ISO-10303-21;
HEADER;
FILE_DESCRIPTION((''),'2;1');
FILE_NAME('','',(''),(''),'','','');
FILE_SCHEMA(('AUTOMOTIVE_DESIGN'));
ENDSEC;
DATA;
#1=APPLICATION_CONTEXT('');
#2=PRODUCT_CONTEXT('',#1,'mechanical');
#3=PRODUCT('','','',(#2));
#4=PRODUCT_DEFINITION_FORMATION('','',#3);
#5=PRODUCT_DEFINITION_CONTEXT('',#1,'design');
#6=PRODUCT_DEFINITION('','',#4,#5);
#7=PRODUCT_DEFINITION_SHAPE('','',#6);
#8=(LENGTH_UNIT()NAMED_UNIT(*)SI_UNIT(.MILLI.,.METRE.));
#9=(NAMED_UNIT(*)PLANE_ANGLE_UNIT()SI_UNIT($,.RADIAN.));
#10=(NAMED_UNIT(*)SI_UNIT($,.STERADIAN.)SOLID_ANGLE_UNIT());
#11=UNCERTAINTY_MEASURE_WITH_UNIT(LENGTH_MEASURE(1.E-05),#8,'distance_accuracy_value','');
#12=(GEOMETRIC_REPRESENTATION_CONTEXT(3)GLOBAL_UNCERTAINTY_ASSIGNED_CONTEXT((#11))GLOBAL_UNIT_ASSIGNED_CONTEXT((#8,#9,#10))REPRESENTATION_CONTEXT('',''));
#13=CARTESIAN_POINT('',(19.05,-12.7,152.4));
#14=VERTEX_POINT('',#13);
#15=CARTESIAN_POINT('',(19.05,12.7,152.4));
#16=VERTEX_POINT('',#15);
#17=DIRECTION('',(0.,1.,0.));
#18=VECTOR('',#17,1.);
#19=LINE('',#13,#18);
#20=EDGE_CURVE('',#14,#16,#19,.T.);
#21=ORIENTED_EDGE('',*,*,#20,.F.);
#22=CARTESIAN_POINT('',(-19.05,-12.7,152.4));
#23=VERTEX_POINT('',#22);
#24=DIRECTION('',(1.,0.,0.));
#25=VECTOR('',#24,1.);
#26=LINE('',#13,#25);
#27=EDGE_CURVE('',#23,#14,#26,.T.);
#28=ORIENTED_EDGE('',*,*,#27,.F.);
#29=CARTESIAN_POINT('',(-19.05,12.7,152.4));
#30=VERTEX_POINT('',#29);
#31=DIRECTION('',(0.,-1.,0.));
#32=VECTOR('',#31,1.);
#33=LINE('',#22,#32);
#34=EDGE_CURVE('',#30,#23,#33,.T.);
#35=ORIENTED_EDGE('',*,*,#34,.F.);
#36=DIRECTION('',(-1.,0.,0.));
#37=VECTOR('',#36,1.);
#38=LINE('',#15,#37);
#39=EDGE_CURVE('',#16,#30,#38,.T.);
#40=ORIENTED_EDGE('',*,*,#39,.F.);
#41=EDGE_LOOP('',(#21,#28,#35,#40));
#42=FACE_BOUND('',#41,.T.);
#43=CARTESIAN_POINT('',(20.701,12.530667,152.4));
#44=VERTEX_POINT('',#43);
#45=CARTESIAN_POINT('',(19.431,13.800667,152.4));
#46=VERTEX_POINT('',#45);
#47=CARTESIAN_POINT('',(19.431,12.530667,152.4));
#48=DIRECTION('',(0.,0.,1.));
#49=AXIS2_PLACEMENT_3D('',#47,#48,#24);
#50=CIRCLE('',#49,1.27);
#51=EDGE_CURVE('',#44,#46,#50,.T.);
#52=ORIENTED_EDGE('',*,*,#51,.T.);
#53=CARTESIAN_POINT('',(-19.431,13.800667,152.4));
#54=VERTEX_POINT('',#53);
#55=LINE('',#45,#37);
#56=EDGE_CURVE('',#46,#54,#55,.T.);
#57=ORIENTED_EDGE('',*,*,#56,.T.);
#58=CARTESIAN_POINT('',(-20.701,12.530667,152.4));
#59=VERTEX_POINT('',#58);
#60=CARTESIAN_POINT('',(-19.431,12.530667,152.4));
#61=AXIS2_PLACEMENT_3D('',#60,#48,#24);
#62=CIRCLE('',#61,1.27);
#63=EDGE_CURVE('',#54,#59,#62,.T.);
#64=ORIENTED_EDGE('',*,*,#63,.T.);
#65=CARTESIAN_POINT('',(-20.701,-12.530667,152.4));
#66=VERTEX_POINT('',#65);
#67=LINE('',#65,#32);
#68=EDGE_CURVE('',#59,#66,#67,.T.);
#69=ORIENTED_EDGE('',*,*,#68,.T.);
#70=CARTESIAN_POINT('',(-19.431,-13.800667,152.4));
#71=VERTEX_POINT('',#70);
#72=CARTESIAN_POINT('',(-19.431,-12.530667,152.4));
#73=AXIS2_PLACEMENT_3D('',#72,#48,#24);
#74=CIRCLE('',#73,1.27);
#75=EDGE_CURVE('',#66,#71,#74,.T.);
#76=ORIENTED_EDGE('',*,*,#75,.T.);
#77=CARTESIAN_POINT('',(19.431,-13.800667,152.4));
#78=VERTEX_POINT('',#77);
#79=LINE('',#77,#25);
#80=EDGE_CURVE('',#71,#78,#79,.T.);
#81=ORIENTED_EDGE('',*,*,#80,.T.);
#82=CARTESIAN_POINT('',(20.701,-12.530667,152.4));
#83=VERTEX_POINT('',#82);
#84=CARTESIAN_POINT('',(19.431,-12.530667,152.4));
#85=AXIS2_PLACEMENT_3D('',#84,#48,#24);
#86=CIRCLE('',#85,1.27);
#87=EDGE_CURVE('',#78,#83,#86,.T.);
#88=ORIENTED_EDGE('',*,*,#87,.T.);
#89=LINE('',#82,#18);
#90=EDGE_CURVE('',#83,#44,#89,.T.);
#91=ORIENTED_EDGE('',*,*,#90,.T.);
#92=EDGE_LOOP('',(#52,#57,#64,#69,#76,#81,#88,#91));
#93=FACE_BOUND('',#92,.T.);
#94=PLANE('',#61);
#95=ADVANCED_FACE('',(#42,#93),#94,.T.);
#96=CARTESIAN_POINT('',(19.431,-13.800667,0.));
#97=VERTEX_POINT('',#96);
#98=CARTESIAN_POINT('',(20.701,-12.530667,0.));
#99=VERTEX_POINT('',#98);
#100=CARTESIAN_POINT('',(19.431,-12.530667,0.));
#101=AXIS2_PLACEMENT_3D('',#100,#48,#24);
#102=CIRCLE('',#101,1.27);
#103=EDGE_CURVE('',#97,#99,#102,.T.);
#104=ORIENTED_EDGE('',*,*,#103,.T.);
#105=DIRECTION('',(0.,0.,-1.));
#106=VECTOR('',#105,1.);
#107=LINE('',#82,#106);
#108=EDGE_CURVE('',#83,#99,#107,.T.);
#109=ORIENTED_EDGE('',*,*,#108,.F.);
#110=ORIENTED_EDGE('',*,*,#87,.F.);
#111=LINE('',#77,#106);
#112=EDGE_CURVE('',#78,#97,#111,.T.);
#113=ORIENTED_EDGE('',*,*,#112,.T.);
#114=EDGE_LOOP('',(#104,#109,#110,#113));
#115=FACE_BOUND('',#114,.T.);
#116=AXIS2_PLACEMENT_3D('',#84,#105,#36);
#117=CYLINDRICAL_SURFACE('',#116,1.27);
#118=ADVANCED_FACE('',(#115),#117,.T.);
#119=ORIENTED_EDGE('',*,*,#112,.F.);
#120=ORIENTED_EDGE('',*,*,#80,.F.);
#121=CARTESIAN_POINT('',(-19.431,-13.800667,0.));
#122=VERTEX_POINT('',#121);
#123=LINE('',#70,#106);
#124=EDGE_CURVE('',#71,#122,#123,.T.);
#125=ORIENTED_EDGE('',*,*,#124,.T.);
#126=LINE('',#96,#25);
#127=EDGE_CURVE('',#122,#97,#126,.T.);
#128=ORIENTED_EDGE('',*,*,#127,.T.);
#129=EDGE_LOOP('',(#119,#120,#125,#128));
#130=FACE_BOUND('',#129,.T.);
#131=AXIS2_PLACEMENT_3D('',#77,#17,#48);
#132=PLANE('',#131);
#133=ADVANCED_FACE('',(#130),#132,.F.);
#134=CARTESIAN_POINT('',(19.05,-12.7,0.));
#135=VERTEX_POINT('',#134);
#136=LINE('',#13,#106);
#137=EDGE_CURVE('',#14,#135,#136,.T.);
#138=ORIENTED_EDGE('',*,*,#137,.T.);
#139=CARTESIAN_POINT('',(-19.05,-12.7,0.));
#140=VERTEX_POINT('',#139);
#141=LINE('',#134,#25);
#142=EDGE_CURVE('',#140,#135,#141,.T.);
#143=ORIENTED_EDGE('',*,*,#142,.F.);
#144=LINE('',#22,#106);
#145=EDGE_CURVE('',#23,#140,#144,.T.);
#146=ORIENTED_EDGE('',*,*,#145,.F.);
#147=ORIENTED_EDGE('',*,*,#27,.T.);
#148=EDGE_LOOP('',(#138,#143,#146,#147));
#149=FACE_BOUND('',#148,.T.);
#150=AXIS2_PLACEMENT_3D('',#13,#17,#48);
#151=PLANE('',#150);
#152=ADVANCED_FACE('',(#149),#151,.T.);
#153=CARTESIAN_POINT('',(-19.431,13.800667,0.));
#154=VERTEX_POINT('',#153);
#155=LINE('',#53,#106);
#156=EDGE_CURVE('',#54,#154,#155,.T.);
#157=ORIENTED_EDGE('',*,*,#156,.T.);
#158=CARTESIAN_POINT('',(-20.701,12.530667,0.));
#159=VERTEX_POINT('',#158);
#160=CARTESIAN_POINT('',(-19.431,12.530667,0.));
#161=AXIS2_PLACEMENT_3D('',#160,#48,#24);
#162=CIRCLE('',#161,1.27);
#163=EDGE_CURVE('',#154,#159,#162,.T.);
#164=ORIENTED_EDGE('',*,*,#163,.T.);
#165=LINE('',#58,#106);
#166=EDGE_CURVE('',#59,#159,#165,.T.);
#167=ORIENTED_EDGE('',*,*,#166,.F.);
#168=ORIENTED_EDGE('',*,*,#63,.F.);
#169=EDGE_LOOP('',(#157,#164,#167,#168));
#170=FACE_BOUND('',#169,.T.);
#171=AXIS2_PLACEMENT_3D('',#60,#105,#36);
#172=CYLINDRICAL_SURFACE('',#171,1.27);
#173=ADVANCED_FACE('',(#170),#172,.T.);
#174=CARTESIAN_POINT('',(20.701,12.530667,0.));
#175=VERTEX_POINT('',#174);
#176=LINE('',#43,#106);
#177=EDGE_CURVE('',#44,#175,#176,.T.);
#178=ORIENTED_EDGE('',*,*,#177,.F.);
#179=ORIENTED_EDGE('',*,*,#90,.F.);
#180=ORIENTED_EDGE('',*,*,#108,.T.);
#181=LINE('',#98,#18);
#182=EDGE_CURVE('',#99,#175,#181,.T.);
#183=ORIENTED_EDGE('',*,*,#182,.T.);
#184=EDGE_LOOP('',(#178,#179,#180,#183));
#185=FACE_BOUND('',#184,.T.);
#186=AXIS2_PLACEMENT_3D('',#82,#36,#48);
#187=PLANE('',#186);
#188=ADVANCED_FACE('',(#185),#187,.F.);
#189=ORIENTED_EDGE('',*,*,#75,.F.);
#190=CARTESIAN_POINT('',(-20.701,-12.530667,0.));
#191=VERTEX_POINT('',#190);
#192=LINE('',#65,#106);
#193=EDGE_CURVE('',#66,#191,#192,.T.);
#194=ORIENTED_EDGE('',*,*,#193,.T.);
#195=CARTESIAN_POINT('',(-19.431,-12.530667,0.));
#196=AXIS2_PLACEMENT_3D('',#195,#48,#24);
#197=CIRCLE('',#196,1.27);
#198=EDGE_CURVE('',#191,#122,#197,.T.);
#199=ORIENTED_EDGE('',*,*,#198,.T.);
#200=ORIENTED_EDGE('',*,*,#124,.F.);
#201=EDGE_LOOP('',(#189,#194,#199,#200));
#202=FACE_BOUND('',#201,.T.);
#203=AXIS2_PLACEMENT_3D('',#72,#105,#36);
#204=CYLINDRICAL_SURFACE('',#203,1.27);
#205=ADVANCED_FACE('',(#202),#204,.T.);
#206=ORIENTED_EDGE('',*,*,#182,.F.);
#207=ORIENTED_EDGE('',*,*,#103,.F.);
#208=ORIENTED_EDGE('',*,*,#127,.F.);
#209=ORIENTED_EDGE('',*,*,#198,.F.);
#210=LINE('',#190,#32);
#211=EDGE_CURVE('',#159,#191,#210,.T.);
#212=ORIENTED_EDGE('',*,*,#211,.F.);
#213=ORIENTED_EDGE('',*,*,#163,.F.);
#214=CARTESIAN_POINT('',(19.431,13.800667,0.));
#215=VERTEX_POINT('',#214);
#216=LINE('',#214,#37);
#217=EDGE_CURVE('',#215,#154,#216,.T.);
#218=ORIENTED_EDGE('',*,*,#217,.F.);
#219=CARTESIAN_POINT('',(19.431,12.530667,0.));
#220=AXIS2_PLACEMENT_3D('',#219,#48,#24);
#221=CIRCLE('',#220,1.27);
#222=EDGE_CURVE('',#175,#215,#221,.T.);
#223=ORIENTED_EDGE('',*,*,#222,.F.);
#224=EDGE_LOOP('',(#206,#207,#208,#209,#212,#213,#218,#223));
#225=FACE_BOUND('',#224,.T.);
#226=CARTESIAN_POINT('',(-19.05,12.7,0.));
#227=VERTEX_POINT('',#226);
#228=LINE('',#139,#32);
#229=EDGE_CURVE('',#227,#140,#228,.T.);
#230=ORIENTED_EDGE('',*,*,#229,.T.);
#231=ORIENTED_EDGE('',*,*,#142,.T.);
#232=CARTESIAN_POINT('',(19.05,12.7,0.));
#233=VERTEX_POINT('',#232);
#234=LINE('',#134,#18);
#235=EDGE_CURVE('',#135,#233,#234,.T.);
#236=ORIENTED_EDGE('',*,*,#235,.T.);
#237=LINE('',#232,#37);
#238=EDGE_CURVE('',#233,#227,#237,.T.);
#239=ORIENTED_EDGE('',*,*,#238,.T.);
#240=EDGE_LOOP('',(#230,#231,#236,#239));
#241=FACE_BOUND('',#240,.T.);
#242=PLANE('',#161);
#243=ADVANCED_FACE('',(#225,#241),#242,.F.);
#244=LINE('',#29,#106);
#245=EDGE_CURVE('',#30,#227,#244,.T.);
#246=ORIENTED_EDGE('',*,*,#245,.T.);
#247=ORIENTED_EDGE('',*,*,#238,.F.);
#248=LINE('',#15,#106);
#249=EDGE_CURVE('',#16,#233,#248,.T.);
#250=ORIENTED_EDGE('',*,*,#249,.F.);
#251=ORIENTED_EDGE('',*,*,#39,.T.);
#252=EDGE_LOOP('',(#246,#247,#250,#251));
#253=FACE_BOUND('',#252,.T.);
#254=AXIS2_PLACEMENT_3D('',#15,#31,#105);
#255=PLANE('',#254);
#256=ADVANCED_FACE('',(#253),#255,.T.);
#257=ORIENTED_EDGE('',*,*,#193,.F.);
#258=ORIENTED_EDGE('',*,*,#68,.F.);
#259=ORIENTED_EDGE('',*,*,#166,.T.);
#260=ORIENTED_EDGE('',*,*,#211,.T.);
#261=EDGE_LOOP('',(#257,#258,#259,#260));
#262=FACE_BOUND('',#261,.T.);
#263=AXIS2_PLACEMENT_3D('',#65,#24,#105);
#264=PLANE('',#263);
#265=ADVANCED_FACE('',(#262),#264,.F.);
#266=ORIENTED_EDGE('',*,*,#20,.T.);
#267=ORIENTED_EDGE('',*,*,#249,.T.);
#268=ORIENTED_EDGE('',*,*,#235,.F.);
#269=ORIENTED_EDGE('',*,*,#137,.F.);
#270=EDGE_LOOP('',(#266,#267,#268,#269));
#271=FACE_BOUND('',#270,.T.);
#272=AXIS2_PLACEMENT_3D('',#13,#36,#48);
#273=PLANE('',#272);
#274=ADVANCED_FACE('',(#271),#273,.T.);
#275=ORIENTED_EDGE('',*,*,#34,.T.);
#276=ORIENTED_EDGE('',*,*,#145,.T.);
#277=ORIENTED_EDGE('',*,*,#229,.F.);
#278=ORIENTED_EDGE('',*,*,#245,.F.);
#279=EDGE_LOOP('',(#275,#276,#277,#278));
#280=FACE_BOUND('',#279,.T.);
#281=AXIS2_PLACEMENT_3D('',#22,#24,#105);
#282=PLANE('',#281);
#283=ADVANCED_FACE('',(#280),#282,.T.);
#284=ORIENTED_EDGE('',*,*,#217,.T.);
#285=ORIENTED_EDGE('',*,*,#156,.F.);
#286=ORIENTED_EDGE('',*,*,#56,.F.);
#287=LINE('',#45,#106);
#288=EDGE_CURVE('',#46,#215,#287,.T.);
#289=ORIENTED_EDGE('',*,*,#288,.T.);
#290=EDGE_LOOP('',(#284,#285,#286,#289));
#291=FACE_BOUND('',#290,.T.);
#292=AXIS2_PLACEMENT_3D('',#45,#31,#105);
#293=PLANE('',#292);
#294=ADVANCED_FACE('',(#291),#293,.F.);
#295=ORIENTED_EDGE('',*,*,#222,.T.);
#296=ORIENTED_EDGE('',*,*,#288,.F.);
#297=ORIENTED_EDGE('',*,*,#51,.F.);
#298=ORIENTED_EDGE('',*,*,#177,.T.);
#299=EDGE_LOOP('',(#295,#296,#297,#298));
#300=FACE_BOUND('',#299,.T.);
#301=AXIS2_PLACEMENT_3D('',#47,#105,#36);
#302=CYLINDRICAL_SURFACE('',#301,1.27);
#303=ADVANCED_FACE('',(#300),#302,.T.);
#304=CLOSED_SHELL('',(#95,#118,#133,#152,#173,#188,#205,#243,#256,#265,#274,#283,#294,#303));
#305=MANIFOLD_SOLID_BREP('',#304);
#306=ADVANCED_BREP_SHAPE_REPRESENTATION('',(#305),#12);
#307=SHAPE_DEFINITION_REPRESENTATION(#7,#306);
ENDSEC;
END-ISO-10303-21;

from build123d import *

# Parameters (mm, degrees)
SKETCH1_W           = 38.1
SKETCH1_H           = 25.4
BOSS_EXTRUDE1_DEPTH = 152.4


with BuildPart() as part:
    # Sketch1 → Boss-Extrude1 (new body)
    with BuildSketch(Plane.XY):
        with BuildLine():
            Line((19.431, -13.800666667), (-19.431, -13.800666667))
            ThreePointArc((-19.431, -13.800666667), (-20.329025612, -13.428692279), (-20.701, -12.530666667))
            Line((-20.701, -12.530666667), (-20.701, 12.530666667))
            ThreePointArc((-20.701, 12.530666667), (-20.329025612, 13.428692279), (-19.431, 13.800666667))
            Line((-19.431, 13.800666667), (19.431, 13.800666667))
            ThreePointArc((19.431, 13.800666667), (20.329025612, 13.428692279), (20.701, 12.530666667))
            Line((20.701, 12.530666667), (20.701, -12.530666667))
            ThreePointArc((20.701, -12.530666667), (20.329025612, -13.428692279), (19.431, -13.800666667))
        make_face()
        Rectangle(SKETCH1_W, SKETCH1_H, mode=Mode.SUBTRACT)
    extrude(amount=BOSS_EXTRUDE1_DEPTH)


solid = part.part
